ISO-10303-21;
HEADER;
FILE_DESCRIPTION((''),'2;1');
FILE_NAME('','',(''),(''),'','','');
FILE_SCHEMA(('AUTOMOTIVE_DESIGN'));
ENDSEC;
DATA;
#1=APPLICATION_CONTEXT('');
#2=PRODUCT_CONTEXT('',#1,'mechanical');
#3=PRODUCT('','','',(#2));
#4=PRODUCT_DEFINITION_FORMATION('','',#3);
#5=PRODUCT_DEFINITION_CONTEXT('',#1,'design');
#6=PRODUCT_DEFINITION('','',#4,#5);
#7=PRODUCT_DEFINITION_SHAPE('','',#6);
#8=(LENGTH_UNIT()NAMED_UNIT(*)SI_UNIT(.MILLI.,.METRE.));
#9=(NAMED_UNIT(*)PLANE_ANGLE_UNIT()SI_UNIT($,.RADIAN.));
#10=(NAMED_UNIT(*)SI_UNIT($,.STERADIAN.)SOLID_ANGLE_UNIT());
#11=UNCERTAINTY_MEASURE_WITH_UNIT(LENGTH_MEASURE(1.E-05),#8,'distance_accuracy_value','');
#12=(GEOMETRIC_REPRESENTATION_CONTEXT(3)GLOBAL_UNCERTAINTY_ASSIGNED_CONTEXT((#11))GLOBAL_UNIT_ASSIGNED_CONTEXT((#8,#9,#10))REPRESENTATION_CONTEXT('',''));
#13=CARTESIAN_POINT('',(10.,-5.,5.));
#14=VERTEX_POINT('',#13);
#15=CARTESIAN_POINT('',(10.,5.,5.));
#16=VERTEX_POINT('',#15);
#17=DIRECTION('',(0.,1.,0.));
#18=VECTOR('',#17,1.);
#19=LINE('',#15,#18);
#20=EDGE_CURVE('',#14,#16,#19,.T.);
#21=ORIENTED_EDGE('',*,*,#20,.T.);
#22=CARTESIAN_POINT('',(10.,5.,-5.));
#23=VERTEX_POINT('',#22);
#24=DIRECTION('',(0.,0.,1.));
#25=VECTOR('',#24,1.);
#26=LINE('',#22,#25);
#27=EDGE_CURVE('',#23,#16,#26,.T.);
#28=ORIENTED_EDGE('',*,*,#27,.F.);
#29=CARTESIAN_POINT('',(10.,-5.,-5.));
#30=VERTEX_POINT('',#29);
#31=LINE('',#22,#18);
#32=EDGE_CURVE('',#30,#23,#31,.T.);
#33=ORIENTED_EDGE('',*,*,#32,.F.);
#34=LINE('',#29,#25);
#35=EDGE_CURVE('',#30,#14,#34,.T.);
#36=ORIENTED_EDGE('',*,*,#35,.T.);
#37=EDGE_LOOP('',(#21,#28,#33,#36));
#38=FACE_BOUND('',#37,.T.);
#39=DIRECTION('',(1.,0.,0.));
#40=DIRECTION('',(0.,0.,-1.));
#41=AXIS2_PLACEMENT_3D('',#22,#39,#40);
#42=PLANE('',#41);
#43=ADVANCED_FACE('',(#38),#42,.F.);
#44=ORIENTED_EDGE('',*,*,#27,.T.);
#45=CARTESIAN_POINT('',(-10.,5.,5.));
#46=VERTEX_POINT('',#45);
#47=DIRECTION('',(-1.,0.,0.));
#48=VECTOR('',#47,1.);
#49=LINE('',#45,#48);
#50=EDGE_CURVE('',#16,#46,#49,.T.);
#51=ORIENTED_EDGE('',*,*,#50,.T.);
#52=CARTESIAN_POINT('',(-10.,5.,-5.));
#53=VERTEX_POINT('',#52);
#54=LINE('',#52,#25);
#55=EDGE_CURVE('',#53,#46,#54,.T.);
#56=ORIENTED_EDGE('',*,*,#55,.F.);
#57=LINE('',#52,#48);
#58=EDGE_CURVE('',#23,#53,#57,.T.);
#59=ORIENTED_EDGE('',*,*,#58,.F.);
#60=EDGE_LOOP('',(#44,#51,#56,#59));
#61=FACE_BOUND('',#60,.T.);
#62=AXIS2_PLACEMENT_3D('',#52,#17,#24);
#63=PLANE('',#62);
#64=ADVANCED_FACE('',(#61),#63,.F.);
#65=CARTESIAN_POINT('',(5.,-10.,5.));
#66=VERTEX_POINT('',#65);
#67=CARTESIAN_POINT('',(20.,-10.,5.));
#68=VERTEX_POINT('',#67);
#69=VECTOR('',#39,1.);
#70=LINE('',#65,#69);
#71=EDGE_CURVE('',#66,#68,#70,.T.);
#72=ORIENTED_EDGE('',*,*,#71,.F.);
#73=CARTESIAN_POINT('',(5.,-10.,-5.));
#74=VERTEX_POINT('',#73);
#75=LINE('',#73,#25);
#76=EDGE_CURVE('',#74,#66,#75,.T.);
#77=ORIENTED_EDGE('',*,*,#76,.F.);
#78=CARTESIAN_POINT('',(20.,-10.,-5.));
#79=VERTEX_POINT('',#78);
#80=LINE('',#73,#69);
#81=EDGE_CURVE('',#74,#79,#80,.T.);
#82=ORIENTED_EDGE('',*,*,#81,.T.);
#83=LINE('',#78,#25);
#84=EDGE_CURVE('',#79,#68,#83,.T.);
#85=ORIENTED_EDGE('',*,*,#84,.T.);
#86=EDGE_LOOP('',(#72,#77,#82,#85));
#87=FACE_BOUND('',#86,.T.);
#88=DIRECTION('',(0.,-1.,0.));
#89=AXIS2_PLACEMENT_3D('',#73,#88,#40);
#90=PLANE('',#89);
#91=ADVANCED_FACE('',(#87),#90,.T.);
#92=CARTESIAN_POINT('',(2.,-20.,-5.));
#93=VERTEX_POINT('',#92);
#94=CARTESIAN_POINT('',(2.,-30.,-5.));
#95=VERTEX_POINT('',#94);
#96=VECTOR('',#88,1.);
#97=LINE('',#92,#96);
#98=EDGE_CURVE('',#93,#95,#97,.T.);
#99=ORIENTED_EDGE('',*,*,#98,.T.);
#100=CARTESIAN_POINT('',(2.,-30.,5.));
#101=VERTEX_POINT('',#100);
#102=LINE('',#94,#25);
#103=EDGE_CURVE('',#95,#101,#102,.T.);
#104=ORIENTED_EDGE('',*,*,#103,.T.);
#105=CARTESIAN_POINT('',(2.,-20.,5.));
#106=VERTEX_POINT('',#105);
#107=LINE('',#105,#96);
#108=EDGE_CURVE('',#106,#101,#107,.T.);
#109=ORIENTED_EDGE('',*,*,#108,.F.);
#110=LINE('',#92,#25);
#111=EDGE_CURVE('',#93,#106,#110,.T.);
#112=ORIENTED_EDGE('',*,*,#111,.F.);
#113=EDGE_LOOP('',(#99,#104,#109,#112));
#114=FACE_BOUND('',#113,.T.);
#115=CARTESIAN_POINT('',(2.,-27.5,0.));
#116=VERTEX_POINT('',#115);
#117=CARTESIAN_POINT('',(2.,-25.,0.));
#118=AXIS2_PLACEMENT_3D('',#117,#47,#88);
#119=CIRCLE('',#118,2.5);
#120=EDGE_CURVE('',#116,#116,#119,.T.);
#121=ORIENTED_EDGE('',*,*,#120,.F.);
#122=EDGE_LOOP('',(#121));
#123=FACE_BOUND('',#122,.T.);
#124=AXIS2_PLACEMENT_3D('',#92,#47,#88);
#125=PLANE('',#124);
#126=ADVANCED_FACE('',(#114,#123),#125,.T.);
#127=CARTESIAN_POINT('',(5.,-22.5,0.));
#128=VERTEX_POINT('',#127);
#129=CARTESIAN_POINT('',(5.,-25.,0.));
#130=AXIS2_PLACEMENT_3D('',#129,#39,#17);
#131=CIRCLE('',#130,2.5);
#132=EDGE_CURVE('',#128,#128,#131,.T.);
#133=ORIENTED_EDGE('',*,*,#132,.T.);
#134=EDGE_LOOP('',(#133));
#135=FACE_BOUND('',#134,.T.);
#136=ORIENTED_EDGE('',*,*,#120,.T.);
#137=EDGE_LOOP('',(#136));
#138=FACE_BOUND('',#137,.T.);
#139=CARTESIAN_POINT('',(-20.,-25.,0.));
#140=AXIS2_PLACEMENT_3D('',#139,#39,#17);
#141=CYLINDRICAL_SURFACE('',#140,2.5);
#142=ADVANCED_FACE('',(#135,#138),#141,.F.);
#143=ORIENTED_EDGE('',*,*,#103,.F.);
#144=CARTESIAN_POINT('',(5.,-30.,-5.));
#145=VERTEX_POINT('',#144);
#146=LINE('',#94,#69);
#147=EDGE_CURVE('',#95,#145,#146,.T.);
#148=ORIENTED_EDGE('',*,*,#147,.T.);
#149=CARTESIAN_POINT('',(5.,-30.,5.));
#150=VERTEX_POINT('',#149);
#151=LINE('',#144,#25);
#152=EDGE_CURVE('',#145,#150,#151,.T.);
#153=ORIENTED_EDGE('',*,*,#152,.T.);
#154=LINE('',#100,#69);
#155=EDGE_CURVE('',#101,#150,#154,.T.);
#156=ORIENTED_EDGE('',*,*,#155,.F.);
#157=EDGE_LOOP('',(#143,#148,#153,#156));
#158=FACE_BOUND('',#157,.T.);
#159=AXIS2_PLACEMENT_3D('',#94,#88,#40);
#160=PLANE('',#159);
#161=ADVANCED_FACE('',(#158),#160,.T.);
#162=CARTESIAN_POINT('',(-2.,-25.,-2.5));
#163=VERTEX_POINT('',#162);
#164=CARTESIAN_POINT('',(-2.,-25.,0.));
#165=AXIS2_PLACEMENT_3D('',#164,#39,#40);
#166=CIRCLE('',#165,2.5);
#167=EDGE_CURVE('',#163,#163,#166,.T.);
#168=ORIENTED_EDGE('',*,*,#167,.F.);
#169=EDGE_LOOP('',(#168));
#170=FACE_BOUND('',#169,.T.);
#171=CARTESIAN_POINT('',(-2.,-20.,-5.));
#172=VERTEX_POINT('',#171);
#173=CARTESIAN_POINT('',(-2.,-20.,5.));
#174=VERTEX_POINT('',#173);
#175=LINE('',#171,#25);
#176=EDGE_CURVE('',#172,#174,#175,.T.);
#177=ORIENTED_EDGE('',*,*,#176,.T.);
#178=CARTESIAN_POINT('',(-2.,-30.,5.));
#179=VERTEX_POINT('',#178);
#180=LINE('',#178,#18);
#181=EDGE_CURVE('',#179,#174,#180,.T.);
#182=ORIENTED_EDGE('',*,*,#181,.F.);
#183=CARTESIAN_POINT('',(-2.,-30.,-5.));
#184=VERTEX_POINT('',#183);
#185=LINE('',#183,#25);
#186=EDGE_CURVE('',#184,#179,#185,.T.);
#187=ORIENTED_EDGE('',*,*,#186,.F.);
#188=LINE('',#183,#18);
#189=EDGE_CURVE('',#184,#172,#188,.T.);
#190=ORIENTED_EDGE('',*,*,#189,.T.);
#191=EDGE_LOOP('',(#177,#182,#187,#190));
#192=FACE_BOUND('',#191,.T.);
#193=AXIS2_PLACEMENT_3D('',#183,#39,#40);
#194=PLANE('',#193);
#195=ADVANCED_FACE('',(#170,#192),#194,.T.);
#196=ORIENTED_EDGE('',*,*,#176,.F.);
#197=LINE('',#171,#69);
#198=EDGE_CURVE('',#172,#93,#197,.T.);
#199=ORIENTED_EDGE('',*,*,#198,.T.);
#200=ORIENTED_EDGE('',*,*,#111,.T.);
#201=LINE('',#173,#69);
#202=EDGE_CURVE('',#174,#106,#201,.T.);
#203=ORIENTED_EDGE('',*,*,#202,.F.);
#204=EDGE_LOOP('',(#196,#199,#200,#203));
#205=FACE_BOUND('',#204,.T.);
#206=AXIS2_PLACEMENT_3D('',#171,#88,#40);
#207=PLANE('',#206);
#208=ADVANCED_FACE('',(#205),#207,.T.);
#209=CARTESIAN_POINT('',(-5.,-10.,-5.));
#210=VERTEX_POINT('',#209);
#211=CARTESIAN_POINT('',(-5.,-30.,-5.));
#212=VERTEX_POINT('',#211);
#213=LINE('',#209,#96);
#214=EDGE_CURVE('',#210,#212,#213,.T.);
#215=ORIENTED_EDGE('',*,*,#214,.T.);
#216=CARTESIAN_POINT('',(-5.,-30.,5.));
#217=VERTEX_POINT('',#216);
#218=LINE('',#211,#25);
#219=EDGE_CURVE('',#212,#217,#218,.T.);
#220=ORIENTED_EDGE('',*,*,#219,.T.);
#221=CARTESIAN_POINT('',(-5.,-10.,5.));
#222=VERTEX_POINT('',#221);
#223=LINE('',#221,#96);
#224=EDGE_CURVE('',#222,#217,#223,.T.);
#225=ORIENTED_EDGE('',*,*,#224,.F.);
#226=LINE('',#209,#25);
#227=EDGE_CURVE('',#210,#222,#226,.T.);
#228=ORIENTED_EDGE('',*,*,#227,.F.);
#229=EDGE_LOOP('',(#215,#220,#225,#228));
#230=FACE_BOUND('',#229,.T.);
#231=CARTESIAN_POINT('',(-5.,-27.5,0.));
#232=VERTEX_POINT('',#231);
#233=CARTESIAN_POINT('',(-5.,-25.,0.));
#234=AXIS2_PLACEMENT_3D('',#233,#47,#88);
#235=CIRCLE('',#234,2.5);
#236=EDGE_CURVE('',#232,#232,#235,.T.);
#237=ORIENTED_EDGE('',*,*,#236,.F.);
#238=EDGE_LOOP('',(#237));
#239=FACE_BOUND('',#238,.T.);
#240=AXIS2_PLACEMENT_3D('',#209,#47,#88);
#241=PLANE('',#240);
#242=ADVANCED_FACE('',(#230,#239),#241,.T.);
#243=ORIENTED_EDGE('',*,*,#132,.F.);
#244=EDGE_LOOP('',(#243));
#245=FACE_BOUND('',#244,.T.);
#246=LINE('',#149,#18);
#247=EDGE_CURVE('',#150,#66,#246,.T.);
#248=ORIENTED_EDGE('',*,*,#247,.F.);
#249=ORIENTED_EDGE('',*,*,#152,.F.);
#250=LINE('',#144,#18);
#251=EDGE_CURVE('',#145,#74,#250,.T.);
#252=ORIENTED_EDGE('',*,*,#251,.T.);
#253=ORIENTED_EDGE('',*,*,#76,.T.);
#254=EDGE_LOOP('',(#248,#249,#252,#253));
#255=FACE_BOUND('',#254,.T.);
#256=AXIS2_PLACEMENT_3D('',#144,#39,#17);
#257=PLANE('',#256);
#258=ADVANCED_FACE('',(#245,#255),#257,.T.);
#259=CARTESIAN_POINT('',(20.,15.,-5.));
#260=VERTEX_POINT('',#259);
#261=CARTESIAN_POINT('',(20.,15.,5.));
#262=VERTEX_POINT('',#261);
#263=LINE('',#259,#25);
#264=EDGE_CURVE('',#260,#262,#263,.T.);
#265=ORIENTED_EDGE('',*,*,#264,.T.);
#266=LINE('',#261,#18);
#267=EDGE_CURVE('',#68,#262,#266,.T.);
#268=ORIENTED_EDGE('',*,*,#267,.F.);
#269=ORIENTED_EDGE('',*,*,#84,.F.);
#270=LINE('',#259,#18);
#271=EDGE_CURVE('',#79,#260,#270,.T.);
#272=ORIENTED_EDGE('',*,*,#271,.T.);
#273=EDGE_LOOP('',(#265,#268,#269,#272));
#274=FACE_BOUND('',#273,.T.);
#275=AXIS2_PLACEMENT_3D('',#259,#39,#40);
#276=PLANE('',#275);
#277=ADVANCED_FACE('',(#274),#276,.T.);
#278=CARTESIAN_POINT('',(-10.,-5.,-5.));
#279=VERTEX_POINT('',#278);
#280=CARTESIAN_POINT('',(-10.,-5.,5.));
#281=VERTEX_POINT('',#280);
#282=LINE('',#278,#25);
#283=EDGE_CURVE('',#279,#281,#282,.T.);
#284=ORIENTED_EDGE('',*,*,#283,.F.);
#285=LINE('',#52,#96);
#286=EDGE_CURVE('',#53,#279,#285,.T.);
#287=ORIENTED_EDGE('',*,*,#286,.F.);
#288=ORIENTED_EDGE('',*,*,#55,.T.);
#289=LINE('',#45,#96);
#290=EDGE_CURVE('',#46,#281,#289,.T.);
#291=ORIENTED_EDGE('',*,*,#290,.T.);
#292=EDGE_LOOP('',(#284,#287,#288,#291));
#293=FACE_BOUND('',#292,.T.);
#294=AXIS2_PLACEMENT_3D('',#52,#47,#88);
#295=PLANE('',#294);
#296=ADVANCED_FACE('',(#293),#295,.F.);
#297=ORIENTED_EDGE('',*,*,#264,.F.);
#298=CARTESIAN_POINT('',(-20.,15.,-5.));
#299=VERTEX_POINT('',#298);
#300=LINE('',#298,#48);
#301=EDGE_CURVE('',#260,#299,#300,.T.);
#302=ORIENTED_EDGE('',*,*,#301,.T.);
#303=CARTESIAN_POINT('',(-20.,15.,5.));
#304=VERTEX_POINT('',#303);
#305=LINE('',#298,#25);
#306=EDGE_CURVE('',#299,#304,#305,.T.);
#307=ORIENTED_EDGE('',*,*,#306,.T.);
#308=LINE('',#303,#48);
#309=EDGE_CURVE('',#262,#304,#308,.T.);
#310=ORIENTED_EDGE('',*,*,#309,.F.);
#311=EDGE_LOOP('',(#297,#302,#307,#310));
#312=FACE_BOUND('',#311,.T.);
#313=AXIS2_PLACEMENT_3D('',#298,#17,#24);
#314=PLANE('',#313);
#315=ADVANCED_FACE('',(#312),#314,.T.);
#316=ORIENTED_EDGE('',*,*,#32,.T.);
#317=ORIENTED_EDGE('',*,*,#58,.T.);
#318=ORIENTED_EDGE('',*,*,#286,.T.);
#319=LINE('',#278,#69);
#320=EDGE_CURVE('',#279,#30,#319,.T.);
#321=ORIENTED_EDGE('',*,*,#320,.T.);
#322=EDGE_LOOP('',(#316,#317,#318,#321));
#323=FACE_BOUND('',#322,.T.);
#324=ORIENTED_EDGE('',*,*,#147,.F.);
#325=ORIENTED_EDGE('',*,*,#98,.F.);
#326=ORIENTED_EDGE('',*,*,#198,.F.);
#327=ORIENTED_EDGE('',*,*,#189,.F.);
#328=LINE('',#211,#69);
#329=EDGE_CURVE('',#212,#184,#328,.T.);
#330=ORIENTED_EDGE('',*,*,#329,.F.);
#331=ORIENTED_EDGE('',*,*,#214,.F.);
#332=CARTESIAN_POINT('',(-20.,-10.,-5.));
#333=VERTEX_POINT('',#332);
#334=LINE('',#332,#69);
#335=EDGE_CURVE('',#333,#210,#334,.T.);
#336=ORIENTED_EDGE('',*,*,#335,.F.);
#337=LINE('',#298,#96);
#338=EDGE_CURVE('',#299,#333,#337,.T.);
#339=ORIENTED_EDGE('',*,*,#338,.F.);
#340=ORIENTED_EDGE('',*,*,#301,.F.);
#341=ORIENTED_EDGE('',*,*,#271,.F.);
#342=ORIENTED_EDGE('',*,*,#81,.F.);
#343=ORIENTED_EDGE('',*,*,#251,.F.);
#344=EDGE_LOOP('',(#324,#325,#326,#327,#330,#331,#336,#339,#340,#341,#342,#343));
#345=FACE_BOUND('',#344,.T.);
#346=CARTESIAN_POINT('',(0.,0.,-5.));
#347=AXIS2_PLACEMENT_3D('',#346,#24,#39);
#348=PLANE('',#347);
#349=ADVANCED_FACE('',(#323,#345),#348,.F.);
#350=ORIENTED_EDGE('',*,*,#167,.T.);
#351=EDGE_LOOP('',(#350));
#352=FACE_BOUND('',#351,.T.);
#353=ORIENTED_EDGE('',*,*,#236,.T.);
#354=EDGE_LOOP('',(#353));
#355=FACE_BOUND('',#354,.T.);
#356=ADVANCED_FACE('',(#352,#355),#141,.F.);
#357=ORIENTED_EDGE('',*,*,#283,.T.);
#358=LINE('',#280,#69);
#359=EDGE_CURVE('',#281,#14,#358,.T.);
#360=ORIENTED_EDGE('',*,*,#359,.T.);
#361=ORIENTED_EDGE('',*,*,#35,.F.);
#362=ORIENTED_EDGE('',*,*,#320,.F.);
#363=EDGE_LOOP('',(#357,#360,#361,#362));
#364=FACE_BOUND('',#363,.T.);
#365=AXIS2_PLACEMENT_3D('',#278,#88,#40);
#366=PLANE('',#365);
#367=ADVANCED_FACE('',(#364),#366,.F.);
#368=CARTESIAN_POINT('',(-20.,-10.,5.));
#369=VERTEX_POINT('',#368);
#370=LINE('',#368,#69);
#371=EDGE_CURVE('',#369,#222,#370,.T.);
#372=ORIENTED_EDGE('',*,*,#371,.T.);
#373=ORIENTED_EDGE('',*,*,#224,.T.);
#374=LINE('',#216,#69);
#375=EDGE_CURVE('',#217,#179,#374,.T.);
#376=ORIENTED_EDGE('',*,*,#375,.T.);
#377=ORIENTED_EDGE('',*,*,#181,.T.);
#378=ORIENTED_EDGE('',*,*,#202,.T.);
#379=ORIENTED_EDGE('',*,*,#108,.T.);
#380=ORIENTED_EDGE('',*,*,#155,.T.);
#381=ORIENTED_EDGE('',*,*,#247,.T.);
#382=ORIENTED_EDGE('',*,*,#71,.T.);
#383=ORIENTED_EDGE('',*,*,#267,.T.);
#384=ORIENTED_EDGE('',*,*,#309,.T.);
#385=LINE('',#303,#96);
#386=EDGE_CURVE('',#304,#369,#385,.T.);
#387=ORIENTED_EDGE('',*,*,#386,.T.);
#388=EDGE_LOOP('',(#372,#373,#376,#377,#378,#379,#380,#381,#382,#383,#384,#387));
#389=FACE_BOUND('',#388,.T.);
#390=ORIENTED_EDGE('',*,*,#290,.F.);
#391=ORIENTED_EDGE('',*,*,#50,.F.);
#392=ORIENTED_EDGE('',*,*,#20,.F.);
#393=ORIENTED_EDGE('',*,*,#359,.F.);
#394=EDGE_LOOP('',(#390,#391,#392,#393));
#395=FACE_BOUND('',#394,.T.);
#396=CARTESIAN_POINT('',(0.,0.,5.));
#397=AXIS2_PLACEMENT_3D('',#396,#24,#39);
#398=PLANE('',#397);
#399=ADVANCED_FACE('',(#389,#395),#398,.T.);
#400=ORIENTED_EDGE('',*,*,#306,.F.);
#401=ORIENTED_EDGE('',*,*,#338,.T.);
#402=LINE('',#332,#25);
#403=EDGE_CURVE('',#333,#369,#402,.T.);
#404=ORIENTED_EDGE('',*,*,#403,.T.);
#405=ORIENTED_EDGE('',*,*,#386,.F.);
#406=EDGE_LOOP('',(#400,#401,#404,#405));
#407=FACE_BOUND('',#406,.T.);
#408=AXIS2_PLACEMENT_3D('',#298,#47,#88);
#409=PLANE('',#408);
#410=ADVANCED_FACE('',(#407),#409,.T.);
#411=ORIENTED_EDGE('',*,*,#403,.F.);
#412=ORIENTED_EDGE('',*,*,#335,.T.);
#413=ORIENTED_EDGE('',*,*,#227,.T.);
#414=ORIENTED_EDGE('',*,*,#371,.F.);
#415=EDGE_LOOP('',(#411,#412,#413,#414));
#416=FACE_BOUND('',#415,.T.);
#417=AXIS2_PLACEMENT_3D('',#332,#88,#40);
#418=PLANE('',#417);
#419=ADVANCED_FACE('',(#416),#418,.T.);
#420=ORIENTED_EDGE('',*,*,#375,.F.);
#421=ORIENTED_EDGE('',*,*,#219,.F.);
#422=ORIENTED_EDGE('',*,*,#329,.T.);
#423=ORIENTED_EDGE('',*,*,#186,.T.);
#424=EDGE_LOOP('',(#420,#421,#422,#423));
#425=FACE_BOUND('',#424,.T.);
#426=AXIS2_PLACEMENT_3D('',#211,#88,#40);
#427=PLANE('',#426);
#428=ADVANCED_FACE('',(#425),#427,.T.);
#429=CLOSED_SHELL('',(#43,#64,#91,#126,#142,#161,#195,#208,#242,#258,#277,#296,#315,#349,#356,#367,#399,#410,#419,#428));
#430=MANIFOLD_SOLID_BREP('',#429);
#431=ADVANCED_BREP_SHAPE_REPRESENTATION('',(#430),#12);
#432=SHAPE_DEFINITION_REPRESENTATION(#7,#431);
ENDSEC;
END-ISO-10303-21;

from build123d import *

# Parameters (mm, degrees)
BOSS_EXTRU_1_DEPTH      = 5
BOSS_EXTRU_1_DEPTH_BACK = 5
ESQUISSE1_W             = 20
ESQUISSE1_H             = 10
ESQUISSE3_R             = 2.5
ENL_V_MAT_EXTRU_1_DEPTH = 40.37003937


with BuildPart() as part:
    # Esquisse1 → Boss.-Extru.1 (new, two sides: drawn at the far end of the back side and taken through both)
    with BuildSketch(Plane.XY.offset(-BOSS_EXTRU_1_DEPTH_BACK)):
        Polygon((-20, 15), (20, 15), (20, -10), (5, -10), (5, -30), (2, -30), (2, -20), (-2, -20), (-2, -30), (-5, -30), (-5, -10), (-20, -10), align=None)
        Rectangle(ESQUISSE1_W, ESQUISSE1_H, mode=Mode.SUBTRACT)
    extrude(amount=BOSS_EXTRU_1_DEPTH + BOSS_EXTRU_1_DEPTH_BACK)

    # Esquisse3 → Enlèv. mat.-Extru.1 (cut, through all)
    with BuildSketch(Plane(origin=(5, 0, 0), x_dir=(0, 0, -1), z_dir=(1, 0, 0))):
        with Locations((0, -25)):
            Circle(ESQUISSE3_R)
    extrude(amount=-ENL_V_MAT_EXTRU_1_DEPTH, mode=Mode.SUBTRACT)


solid = part.part
